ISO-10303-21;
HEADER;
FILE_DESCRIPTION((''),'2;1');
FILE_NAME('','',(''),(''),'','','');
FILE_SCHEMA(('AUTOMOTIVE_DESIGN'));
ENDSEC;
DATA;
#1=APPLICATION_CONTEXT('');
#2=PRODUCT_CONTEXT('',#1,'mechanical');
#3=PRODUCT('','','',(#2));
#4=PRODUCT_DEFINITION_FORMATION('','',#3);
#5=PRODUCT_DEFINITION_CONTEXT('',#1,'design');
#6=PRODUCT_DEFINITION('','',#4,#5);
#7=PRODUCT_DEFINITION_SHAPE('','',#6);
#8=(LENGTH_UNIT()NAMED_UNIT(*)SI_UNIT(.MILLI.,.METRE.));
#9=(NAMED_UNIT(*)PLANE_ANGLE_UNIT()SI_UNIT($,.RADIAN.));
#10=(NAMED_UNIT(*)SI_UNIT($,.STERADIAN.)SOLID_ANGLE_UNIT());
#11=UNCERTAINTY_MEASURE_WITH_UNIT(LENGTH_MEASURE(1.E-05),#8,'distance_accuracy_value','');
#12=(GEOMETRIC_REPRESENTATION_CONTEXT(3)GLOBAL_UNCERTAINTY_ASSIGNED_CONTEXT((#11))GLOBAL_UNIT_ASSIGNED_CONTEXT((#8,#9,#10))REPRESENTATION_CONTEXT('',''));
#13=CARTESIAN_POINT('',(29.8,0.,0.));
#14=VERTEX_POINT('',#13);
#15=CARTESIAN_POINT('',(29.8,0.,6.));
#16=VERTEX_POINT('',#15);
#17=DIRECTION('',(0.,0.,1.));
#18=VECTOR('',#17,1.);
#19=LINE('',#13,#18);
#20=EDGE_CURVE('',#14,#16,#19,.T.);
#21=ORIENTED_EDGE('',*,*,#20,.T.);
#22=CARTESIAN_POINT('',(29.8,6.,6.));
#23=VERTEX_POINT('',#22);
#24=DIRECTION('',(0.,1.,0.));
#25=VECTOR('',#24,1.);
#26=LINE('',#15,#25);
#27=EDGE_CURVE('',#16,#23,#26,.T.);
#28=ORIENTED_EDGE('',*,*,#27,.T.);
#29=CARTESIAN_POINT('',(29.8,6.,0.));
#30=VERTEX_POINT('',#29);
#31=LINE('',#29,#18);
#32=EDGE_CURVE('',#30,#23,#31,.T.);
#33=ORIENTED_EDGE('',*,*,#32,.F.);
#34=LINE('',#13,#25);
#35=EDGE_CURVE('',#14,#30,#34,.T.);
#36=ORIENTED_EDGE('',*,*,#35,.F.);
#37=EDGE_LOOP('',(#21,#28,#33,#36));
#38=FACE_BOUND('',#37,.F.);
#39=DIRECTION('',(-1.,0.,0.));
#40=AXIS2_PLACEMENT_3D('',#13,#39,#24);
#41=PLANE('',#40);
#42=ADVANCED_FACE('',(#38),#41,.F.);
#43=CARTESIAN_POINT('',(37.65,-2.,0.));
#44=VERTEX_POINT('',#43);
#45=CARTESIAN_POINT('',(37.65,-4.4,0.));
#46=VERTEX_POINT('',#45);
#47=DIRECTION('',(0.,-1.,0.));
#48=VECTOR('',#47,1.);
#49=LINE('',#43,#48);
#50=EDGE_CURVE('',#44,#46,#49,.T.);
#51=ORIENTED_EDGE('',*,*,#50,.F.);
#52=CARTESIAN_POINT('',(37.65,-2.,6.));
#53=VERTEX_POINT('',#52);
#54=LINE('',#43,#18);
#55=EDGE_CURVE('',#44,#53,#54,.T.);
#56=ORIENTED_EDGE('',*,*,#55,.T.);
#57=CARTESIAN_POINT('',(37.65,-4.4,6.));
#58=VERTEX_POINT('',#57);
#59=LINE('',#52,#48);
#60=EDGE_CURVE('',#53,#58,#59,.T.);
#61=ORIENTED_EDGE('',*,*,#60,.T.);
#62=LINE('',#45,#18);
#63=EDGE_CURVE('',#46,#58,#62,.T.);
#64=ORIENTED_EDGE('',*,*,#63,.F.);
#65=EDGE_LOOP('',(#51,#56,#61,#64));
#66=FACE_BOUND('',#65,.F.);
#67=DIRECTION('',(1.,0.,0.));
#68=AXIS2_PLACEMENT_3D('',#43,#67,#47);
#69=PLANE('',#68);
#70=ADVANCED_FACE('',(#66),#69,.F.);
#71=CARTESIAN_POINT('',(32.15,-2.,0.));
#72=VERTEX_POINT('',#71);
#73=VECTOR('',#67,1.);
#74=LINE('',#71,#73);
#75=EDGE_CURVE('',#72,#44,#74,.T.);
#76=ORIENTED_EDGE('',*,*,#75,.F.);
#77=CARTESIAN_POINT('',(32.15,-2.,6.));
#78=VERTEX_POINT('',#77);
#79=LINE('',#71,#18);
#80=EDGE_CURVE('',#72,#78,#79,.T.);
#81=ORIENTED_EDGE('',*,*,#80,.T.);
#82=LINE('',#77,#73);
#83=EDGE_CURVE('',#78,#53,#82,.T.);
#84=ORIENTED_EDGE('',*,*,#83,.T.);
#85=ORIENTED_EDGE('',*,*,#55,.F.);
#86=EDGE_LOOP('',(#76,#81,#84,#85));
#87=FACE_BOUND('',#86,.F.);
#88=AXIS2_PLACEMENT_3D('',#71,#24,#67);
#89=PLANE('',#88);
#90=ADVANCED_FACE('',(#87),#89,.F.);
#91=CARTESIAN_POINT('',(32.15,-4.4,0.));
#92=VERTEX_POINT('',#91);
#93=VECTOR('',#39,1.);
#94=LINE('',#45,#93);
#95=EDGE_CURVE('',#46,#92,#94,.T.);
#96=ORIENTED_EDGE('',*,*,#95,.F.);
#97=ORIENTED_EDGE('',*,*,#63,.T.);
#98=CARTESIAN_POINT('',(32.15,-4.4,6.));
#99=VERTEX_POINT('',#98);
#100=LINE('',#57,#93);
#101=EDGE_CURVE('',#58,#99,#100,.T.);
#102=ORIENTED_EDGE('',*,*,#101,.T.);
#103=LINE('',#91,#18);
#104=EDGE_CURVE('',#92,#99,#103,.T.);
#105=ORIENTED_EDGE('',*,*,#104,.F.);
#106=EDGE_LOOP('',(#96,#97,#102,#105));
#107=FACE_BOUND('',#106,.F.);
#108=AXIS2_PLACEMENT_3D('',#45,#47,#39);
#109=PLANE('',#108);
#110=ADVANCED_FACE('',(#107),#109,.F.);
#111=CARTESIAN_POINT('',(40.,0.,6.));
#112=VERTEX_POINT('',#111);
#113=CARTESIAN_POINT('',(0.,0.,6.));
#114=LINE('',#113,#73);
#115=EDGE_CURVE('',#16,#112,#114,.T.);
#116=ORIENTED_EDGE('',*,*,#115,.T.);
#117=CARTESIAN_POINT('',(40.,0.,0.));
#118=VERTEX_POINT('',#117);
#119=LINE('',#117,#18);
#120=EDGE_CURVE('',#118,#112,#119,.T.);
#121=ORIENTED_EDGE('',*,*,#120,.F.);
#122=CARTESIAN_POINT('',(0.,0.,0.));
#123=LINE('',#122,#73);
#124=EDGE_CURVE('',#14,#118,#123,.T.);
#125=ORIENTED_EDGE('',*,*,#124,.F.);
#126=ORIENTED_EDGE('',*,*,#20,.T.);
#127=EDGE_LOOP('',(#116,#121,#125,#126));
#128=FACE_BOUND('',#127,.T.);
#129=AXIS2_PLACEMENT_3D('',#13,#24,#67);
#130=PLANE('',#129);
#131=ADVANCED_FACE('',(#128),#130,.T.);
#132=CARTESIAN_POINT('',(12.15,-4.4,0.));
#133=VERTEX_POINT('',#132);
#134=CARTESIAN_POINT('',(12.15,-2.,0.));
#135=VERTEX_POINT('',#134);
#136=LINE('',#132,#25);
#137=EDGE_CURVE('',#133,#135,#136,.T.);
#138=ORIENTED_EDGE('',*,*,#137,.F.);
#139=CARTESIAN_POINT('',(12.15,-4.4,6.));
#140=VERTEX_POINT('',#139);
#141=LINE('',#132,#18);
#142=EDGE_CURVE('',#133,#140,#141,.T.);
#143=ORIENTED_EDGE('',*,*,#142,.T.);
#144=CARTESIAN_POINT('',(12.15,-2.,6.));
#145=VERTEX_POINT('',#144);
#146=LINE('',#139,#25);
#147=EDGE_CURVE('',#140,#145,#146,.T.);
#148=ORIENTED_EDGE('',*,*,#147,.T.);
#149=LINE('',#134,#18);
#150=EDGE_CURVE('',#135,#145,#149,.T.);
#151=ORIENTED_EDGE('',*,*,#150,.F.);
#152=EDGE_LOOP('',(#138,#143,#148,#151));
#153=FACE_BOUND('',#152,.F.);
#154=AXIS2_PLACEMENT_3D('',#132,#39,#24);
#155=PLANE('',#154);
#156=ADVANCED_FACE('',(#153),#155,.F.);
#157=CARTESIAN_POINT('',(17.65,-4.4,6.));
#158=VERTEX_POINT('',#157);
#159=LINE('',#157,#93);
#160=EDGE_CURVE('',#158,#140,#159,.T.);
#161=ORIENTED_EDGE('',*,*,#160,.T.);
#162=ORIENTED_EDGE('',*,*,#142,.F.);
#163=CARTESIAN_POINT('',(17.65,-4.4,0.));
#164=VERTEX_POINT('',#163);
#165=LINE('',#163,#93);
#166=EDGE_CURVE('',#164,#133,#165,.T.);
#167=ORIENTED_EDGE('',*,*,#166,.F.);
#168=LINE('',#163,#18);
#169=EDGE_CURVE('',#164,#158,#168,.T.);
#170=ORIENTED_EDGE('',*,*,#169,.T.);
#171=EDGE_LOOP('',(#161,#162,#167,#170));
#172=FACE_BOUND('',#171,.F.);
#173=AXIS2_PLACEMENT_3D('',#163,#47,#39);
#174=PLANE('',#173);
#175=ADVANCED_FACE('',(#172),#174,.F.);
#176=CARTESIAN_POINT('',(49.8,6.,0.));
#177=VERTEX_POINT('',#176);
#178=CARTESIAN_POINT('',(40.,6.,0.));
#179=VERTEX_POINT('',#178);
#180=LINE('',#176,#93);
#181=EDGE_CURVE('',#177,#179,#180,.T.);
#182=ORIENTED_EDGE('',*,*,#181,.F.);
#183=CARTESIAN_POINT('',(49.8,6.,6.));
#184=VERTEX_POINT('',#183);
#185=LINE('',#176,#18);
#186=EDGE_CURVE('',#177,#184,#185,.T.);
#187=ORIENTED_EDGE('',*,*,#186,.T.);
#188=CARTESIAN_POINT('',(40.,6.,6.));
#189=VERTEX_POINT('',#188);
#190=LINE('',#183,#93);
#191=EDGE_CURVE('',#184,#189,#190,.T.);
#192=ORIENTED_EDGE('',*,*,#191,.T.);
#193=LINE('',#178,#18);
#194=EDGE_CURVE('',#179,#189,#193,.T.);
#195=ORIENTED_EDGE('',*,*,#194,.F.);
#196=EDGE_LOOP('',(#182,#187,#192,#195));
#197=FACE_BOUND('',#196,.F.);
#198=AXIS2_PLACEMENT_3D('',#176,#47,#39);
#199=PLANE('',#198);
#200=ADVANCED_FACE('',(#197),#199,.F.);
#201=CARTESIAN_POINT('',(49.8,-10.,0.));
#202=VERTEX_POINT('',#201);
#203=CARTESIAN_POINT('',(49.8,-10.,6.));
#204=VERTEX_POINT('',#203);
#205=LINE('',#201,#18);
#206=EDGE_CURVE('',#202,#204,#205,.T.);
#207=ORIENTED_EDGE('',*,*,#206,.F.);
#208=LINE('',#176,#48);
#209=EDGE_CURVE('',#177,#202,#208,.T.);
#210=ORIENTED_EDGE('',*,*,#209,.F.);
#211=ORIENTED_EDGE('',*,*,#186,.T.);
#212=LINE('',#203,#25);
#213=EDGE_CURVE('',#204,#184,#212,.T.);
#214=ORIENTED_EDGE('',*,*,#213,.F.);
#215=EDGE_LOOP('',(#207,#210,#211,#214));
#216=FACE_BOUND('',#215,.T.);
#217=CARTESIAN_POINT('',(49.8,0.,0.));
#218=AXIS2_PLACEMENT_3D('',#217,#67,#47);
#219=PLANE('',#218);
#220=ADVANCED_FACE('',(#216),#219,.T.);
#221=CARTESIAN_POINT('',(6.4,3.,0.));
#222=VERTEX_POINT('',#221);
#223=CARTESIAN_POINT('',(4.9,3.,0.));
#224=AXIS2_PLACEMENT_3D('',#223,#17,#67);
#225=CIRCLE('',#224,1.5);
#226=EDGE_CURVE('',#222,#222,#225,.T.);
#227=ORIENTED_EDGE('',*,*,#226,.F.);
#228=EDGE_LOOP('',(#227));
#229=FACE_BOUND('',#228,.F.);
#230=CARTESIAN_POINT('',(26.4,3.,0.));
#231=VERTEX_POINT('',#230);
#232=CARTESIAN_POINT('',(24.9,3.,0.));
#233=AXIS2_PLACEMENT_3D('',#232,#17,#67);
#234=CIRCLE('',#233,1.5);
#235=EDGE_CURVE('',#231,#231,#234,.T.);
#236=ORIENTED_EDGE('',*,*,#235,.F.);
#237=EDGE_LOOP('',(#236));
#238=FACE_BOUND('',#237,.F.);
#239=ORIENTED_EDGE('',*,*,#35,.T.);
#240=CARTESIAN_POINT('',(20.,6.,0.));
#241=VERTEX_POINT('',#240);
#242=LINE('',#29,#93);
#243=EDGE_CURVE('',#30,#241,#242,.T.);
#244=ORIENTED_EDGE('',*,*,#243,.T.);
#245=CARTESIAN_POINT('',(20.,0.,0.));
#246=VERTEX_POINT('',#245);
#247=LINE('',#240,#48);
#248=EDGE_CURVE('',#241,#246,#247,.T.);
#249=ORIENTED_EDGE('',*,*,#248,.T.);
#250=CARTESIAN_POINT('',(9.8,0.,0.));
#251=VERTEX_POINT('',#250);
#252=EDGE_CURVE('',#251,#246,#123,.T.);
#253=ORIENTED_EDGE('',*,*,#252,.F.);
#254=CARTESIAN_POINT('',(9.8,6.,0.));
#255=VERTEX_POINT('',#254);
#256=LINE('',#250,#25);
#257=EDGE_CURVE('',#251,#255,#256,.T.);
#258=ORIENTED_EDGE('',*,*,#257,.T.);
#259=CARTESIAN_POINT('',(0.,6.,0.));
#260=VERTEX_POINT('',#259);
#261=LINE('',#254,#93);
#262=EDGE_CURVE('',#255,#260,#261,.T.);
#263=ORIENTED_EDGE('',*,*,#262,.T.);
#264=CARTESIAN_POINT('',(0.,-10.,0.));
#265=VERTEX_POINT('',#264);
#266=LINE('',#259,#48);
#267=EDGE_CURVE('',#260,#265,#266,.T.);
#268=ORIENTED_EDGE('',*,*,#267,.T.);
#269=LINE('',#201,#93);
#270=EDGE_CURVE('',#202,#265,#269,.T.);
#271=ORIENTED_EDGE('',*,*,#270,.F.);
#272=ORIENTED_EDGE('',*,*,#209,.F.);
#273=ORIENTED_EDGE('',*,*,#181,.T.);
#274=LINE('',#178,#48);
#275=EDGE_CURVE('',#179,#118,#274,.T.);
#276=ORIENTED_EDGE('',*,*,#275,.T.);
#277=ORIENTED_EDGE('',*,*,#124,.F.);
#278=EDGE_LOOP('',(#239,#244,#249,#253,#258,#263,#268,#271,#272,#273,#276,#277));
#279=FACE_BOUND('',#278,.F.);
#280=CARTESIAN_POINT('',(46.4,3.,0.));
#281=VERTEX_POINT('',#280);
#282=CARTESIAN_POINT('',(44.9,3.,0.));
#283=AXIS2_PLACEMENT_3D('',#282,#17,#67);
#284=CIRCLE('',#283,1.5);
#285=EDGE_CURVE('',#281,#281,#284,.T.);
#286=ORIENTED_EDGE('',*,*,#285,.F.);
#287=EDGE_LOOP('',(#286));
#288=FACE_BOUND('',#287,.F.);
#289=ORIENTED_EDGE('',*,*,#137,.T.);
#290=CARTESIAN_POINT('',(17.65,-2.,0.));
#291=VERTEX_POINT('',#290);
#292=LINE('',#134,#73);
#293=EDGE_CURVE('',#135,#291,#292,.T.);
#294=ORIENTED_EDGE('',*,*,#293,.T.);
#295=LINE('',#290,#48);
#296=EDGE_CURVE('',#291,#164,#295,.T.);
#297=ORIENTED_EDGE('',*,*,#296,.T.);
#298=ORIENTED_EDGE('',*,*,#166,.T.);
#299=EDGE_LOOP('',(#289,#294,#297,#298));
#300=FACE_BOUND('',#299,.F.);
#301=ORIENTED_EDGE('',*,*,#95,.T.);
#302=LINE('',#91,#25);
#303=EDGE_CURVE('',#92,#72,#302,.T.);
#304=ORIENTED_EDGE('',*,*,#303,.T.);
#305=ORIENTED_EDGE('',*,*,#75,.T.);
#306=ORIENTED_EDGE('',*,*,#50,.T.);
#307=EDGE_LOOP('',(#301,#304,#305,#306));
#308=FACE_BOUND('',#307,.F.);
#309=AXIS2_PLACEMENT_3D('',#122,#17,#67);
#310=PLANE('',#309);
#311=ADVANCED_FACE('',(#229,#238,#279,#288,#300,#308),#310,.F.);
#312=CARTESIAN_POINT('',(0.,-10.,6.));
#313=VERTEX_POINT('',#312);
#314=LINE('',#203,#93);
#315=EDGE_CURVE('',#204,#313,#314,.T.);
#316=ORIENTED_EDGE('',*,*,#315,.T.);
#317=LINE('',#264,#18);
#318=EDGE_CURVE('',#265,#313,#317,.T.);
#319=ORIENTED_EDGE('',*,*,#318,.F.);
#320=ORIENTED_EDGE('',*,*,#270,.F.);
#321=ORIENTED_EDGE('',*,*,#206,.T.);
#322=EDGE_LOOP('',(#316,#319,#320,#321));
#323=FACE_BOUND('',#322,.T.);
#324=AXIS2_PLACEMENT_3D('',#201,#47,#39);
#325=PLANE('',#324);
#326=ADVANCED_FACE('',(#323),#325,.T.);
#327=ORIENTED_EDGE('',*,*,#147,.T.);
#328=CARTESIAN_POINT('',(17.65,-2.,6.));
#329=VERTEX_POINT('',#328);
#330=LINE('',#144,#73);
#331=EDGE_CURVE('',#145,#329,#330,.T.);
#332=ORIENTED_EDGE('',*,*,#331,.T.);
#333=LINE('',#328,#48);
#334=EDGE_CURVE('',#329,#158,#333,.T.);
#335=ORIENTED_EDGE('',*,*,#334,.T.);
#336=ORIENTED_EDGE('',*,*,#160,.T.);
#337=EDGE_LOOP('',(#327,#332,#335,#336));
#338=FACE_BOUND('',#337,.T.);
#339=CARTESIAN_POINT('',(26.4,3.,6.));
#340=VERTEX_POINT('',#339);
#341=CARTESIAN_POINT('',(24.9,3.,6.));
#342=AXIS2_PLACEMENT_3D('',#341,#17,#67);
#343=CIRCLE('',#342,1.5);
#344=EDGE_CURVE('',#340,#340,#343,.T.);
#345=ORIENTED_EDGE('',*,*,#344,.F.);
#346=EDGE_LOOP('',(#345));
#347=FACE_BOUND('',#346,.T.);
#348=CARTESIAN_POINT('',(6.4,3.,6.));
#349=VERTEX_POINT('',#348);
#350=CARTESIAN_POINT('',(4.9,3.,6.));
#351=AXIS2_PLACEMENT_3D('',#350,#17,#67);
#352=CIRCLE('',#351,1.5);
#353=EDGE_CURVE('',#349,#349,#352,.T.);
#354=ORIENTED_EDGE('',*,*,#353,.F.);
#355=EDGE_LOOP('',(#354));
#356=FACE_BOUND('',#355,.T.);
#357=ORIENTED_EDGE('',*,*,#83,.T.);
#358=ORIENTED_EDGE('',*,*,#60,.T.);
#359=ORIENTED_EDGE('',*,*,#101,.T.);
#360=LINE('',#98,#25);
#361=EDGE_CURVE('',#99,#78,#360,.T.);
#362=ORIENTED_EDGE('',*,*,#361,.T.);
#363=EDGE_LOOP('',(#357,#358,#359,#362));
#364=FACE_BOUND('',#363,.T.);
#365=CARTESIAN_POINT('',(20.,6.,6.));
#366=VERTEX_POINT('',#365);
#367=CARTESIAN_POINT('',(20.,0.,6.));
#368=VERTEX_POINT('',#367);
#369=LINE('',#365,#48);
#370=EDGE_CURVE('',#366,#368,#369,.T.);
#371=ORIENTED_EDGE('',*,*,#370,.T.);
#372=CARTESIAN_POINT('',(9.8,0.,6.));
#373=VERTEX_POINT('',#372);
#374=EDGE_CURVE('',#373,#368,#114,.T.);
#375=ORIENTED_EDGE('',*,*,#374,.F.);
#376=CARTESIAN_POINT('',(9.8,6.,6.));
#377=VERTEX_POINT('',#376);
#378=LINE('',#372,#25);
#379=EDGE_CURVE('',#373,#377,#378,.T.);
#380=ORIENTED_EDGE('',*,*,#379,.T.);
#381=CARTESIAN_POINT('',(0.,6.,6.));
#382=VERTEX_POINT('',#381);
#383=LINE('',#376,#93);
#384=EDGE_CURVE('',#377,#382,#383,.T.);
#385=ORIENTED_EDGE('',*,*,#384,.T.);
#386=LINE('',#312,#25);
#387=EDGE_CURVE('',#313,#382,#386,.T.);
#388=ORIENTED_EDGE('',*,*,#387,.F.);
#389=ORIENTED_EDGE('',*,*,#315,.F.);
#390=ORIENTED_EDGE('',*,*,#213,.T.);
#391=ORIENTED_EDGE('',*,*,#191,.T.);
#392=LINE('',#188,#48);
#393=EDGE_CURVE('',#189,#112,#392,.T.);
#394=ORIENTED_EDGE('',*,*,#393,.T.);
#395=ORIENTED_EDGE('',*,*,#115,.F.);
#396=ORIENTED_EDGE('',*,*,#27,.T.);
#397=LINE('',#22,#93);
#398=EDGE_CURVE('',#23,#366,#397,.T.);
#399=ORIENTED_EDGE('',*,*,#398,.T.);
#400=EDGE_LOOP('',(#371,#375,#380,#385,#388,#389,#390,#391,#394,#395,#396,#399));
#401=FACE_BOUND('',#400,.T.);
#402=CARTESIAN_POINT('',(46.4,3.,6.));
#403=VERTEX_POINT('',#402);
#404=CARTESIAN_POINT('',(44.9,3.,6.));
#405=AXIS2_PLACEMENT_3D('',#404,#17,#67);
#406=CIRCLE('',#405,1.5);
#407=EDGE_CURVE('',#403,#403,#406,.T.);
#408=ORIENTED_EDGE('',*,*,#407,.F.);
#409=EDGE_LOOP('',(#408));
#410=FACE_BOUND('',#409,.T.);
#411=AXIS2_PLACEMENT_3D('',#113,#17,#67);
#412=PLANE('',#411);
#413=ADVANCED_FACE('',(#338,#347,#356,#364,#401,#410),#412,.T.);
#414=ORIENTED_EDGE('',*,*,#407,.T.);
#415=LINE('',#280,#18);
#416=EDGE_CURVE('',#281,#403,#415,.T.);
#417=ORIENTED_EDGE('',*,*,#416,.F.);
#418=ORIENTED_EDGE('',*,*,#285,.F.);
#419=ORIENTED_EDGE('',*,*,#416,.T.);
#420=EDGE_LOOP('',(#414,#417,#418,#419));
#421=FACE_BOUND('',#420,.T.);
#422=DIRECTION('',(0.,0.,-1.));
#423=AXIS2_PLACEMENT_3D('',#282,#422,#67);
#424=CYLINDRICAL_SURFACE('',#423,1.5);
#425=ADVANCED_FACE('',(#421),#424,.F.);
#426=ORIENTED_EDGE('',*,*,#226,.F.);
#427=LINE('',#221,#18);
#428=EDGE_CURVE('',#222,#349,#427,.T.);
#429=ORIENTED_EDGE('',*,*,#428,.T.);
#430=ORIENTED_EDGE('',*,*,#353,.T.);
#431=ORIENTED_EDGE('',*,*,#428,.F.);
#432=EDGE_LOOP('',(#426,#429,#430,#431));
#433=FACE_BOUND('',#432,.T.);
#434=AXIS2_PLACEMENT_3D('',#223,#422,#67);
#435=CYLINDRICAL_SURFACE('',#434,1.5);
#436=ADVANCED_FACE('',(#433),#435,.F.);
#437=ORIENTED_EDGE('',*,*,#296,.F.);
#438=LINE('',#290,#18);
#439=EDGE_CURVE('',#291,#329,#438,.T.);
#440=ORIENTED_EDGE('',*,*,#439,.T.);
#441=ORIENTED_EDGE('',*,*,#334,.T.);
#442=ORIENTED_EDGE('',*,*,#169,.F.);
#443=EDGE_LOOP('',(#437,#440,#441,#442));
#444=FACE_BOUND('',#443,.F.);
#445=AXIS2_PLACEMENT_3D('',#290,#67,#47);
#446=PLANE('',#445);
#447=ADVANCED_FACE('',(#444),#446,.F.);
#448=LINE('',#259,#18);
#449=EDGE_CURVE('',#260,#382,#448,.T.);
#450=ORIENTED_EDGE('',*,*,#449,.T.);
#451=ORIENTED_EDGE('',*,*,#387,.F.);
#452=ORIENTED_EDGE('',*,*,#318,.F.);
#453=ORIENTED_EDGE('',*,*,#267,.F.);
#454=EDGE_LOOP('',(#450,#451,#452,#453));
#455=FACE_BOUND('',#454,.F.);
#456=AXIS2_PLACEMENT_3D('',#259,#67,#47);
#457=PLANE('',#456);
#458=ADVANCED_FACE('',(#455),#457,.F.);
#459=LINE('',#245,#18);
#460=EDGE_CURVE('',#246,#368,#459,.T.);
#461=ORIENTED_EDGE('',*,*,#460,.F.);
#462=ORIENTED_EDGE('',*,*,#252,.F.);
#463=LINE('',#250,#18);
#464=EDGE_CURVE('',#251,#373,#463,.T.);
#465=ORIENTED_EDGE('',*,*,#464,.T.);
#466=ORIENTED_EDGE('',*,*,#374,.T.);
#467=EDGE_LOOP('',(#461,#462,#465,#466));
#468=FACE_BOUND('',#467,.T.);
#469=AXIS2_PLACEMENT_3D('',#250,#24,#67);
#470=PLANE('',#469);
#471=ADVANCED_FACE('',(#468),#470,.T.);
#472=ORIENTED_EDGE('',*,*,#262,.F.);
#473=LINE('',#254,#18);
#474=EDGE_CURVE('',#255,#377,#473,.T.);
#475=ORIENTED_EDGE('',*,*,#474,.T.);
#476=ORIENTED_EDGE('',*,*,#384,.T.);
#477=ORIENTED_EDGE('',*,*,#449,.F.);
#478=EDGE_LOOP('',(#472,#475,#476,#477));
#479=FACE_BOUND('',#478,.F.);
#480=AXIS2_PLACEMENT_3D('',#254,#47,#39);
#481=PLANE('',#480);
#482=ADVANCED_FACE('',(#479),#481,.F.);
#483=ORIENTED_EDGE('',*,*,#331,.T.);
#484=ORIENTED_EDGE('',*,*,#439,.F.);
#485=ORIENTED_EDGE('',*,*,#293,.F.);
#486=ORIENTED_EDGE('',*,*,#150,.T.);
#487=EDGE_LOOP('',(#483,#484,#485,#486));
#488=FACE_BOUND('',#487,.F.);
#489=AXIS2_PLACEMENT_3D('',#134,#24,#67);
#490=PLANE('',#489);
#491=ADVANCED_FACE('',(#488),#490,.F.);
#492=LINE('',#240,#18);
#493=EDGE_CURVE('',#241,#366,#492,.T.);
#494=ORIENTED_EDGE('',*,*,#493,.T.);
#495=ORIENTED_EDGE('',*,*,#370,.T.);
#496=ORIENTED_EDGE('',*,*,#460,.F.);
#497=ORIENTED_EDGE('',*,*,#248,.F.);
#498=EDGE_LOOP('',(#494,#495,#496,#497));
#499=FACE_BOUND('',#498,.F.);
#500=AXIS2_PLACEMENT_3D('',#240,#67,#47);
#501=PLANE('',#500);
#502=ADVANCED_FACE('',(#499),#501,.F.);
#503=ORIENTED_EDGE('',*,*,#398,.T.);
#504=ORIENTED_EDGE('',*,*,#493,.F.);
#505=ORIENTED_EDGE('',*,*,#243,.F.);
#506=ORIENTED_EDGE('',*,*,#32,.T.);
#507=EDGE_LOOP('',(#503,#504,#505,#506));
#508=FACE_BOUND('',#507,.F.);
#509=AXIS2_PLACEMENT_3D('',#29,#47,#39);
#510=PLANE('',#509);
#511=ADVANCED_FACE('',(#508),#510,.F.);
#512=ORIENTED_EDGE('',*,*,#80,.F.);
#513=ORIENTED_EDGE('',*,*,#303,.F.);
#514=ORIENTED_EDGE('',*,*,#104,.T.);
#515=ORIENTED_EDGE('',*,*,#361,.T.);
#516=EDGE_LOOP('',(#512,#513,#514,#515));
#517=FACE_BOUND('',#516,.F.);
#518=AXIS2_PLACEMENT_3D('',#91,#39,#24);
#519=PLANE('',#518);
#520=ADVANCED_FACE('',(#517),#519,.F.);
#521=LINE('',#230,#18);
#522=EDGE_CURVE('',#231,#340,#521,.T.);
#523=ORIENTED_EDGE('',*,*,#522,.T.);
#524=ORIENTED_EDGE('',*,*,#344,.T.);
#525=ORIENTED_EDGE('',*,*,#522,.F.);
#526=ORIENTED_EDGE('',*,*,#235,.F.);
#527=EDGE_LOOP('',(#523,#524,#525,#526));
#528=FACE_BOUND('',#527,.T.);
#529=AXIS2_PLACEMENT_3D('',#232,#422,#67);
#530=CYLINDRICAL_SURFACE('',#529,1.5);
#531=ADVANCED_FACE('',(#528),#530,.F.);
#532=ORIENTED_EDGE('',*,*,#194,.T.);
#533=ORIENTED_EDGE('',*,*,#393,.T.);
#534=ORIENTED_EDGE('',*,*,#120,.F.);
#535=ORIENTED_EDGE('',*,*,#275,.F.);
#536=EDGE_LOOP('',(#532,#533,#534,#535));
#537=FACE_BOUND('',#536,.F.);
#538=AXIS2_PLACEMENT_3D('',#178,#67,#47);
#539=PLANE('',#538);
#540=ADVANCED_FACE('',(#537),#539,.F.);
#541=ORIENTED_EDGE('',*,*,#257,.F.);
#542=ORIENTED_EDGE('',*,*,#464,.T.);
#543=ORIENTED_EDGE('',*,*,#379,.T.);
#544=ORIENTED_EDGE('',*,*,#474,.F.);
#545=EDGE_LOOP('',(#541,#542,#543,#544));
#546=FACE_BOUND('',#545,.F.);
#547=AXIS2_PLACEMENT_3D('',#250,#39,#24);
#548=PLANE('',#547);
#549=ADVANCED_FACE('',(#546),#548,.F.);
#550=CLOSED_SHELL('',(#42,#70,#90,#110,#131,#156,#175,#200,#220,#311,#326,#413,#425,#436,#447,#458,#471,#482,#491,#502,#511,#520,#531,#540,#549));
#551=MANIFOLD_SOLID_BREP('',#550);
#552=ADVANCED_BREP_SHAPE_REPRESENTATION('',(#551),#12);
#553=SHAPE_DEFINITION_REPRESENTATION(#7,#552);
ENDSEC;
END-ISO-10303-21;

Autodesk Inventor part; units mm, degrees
ref_plane "YZ Plane" through (0, 0, 0) normal (1, 0, 0) x (0, 1, 0)
ref_plane "XZ Plane" through (0, 0, 0) normal (0, 1, 0) x (-1, 0, 0)
ref_plane "XY Plane" through (0, 0, 0) normal (0, 0, 1) x (1, 0, 0)
sketch "Sketch1" plane through (0, 0, 0) normal (0, 0, 1) x (1, 0, 0)
  line L0 (0, 0) -> (9.8, 0)
  line L1 (9.8, 0) -> (9.8, 6)
  line L2 (9.8, 6) -> (0, 6)
  line L3 (0, 6) -> (0, 0)
  line L4 (29.8, 6) -> (20, 6)
  line L5 (20, 6) -> (20, 0)
  line L6 (20, 0) -> (29.8, 0)
  line L7 (29.8, 0) -> (29.8, 6)
  line L8 (49.8, 6) -> (40, 6)
  line L9 (40, 6) -> (40, 0)
  line L10 (40, 0) -> (49.8, 0)
  line L11 (49.8, 0) -> (49.8, 6)
  circle A0 centre (4.9, 3) radius 1.5
  circle A1 centre (24.9, 3) radius 1.5
  circle A2 centre (44.9, 3) radius 1.5
  line L12 (0, 0) -> (49.8, 0)
  line L13 (49.8, 0) -> (49.8, -10)
  line L14 (49.8, -10) -> (0, -10)
  line L15 (0, -10) -> (0, 0)
  line L16 (12.15, -2) -> (17.65, -2)
  line L17 (17.65, -2) -> (17.65, -4.4)
  line L18 (17.65, -4.4) -> (12.15, -4.4)
  line L19 (12.15, -4.4) -> (12.15, -2)
  line L20 (32.15, -2) -> (37.65, -2)
  line L21 (37.65, -2) -> (37.65, -4.4)
  line L22 (37.65, -4.4) -> (32.15, -4.4)
  line L23 (32.15, -4.4) -> (32.15, -2)
  point P0 (40, 0)
  point P1 (20, 0)
  dimension "d0" = 6
  dimension "d1" = 9.8
  dimension "d4" = 20
  dimension "d9" = 3
  dimension "d12" = 20
  dimension "d17" = 10
  dimension "d20" = 5.5
  dimension "d21" = 2.4
  dimension "d22" = 2.35
  dimension "d23" = 8
  dimension "d24" = 3
  dimension "d27" = 20
extrude "Extrusion1" add sketch "Sketch1" along normal blind 6
properties part number "SideBoardTest"
